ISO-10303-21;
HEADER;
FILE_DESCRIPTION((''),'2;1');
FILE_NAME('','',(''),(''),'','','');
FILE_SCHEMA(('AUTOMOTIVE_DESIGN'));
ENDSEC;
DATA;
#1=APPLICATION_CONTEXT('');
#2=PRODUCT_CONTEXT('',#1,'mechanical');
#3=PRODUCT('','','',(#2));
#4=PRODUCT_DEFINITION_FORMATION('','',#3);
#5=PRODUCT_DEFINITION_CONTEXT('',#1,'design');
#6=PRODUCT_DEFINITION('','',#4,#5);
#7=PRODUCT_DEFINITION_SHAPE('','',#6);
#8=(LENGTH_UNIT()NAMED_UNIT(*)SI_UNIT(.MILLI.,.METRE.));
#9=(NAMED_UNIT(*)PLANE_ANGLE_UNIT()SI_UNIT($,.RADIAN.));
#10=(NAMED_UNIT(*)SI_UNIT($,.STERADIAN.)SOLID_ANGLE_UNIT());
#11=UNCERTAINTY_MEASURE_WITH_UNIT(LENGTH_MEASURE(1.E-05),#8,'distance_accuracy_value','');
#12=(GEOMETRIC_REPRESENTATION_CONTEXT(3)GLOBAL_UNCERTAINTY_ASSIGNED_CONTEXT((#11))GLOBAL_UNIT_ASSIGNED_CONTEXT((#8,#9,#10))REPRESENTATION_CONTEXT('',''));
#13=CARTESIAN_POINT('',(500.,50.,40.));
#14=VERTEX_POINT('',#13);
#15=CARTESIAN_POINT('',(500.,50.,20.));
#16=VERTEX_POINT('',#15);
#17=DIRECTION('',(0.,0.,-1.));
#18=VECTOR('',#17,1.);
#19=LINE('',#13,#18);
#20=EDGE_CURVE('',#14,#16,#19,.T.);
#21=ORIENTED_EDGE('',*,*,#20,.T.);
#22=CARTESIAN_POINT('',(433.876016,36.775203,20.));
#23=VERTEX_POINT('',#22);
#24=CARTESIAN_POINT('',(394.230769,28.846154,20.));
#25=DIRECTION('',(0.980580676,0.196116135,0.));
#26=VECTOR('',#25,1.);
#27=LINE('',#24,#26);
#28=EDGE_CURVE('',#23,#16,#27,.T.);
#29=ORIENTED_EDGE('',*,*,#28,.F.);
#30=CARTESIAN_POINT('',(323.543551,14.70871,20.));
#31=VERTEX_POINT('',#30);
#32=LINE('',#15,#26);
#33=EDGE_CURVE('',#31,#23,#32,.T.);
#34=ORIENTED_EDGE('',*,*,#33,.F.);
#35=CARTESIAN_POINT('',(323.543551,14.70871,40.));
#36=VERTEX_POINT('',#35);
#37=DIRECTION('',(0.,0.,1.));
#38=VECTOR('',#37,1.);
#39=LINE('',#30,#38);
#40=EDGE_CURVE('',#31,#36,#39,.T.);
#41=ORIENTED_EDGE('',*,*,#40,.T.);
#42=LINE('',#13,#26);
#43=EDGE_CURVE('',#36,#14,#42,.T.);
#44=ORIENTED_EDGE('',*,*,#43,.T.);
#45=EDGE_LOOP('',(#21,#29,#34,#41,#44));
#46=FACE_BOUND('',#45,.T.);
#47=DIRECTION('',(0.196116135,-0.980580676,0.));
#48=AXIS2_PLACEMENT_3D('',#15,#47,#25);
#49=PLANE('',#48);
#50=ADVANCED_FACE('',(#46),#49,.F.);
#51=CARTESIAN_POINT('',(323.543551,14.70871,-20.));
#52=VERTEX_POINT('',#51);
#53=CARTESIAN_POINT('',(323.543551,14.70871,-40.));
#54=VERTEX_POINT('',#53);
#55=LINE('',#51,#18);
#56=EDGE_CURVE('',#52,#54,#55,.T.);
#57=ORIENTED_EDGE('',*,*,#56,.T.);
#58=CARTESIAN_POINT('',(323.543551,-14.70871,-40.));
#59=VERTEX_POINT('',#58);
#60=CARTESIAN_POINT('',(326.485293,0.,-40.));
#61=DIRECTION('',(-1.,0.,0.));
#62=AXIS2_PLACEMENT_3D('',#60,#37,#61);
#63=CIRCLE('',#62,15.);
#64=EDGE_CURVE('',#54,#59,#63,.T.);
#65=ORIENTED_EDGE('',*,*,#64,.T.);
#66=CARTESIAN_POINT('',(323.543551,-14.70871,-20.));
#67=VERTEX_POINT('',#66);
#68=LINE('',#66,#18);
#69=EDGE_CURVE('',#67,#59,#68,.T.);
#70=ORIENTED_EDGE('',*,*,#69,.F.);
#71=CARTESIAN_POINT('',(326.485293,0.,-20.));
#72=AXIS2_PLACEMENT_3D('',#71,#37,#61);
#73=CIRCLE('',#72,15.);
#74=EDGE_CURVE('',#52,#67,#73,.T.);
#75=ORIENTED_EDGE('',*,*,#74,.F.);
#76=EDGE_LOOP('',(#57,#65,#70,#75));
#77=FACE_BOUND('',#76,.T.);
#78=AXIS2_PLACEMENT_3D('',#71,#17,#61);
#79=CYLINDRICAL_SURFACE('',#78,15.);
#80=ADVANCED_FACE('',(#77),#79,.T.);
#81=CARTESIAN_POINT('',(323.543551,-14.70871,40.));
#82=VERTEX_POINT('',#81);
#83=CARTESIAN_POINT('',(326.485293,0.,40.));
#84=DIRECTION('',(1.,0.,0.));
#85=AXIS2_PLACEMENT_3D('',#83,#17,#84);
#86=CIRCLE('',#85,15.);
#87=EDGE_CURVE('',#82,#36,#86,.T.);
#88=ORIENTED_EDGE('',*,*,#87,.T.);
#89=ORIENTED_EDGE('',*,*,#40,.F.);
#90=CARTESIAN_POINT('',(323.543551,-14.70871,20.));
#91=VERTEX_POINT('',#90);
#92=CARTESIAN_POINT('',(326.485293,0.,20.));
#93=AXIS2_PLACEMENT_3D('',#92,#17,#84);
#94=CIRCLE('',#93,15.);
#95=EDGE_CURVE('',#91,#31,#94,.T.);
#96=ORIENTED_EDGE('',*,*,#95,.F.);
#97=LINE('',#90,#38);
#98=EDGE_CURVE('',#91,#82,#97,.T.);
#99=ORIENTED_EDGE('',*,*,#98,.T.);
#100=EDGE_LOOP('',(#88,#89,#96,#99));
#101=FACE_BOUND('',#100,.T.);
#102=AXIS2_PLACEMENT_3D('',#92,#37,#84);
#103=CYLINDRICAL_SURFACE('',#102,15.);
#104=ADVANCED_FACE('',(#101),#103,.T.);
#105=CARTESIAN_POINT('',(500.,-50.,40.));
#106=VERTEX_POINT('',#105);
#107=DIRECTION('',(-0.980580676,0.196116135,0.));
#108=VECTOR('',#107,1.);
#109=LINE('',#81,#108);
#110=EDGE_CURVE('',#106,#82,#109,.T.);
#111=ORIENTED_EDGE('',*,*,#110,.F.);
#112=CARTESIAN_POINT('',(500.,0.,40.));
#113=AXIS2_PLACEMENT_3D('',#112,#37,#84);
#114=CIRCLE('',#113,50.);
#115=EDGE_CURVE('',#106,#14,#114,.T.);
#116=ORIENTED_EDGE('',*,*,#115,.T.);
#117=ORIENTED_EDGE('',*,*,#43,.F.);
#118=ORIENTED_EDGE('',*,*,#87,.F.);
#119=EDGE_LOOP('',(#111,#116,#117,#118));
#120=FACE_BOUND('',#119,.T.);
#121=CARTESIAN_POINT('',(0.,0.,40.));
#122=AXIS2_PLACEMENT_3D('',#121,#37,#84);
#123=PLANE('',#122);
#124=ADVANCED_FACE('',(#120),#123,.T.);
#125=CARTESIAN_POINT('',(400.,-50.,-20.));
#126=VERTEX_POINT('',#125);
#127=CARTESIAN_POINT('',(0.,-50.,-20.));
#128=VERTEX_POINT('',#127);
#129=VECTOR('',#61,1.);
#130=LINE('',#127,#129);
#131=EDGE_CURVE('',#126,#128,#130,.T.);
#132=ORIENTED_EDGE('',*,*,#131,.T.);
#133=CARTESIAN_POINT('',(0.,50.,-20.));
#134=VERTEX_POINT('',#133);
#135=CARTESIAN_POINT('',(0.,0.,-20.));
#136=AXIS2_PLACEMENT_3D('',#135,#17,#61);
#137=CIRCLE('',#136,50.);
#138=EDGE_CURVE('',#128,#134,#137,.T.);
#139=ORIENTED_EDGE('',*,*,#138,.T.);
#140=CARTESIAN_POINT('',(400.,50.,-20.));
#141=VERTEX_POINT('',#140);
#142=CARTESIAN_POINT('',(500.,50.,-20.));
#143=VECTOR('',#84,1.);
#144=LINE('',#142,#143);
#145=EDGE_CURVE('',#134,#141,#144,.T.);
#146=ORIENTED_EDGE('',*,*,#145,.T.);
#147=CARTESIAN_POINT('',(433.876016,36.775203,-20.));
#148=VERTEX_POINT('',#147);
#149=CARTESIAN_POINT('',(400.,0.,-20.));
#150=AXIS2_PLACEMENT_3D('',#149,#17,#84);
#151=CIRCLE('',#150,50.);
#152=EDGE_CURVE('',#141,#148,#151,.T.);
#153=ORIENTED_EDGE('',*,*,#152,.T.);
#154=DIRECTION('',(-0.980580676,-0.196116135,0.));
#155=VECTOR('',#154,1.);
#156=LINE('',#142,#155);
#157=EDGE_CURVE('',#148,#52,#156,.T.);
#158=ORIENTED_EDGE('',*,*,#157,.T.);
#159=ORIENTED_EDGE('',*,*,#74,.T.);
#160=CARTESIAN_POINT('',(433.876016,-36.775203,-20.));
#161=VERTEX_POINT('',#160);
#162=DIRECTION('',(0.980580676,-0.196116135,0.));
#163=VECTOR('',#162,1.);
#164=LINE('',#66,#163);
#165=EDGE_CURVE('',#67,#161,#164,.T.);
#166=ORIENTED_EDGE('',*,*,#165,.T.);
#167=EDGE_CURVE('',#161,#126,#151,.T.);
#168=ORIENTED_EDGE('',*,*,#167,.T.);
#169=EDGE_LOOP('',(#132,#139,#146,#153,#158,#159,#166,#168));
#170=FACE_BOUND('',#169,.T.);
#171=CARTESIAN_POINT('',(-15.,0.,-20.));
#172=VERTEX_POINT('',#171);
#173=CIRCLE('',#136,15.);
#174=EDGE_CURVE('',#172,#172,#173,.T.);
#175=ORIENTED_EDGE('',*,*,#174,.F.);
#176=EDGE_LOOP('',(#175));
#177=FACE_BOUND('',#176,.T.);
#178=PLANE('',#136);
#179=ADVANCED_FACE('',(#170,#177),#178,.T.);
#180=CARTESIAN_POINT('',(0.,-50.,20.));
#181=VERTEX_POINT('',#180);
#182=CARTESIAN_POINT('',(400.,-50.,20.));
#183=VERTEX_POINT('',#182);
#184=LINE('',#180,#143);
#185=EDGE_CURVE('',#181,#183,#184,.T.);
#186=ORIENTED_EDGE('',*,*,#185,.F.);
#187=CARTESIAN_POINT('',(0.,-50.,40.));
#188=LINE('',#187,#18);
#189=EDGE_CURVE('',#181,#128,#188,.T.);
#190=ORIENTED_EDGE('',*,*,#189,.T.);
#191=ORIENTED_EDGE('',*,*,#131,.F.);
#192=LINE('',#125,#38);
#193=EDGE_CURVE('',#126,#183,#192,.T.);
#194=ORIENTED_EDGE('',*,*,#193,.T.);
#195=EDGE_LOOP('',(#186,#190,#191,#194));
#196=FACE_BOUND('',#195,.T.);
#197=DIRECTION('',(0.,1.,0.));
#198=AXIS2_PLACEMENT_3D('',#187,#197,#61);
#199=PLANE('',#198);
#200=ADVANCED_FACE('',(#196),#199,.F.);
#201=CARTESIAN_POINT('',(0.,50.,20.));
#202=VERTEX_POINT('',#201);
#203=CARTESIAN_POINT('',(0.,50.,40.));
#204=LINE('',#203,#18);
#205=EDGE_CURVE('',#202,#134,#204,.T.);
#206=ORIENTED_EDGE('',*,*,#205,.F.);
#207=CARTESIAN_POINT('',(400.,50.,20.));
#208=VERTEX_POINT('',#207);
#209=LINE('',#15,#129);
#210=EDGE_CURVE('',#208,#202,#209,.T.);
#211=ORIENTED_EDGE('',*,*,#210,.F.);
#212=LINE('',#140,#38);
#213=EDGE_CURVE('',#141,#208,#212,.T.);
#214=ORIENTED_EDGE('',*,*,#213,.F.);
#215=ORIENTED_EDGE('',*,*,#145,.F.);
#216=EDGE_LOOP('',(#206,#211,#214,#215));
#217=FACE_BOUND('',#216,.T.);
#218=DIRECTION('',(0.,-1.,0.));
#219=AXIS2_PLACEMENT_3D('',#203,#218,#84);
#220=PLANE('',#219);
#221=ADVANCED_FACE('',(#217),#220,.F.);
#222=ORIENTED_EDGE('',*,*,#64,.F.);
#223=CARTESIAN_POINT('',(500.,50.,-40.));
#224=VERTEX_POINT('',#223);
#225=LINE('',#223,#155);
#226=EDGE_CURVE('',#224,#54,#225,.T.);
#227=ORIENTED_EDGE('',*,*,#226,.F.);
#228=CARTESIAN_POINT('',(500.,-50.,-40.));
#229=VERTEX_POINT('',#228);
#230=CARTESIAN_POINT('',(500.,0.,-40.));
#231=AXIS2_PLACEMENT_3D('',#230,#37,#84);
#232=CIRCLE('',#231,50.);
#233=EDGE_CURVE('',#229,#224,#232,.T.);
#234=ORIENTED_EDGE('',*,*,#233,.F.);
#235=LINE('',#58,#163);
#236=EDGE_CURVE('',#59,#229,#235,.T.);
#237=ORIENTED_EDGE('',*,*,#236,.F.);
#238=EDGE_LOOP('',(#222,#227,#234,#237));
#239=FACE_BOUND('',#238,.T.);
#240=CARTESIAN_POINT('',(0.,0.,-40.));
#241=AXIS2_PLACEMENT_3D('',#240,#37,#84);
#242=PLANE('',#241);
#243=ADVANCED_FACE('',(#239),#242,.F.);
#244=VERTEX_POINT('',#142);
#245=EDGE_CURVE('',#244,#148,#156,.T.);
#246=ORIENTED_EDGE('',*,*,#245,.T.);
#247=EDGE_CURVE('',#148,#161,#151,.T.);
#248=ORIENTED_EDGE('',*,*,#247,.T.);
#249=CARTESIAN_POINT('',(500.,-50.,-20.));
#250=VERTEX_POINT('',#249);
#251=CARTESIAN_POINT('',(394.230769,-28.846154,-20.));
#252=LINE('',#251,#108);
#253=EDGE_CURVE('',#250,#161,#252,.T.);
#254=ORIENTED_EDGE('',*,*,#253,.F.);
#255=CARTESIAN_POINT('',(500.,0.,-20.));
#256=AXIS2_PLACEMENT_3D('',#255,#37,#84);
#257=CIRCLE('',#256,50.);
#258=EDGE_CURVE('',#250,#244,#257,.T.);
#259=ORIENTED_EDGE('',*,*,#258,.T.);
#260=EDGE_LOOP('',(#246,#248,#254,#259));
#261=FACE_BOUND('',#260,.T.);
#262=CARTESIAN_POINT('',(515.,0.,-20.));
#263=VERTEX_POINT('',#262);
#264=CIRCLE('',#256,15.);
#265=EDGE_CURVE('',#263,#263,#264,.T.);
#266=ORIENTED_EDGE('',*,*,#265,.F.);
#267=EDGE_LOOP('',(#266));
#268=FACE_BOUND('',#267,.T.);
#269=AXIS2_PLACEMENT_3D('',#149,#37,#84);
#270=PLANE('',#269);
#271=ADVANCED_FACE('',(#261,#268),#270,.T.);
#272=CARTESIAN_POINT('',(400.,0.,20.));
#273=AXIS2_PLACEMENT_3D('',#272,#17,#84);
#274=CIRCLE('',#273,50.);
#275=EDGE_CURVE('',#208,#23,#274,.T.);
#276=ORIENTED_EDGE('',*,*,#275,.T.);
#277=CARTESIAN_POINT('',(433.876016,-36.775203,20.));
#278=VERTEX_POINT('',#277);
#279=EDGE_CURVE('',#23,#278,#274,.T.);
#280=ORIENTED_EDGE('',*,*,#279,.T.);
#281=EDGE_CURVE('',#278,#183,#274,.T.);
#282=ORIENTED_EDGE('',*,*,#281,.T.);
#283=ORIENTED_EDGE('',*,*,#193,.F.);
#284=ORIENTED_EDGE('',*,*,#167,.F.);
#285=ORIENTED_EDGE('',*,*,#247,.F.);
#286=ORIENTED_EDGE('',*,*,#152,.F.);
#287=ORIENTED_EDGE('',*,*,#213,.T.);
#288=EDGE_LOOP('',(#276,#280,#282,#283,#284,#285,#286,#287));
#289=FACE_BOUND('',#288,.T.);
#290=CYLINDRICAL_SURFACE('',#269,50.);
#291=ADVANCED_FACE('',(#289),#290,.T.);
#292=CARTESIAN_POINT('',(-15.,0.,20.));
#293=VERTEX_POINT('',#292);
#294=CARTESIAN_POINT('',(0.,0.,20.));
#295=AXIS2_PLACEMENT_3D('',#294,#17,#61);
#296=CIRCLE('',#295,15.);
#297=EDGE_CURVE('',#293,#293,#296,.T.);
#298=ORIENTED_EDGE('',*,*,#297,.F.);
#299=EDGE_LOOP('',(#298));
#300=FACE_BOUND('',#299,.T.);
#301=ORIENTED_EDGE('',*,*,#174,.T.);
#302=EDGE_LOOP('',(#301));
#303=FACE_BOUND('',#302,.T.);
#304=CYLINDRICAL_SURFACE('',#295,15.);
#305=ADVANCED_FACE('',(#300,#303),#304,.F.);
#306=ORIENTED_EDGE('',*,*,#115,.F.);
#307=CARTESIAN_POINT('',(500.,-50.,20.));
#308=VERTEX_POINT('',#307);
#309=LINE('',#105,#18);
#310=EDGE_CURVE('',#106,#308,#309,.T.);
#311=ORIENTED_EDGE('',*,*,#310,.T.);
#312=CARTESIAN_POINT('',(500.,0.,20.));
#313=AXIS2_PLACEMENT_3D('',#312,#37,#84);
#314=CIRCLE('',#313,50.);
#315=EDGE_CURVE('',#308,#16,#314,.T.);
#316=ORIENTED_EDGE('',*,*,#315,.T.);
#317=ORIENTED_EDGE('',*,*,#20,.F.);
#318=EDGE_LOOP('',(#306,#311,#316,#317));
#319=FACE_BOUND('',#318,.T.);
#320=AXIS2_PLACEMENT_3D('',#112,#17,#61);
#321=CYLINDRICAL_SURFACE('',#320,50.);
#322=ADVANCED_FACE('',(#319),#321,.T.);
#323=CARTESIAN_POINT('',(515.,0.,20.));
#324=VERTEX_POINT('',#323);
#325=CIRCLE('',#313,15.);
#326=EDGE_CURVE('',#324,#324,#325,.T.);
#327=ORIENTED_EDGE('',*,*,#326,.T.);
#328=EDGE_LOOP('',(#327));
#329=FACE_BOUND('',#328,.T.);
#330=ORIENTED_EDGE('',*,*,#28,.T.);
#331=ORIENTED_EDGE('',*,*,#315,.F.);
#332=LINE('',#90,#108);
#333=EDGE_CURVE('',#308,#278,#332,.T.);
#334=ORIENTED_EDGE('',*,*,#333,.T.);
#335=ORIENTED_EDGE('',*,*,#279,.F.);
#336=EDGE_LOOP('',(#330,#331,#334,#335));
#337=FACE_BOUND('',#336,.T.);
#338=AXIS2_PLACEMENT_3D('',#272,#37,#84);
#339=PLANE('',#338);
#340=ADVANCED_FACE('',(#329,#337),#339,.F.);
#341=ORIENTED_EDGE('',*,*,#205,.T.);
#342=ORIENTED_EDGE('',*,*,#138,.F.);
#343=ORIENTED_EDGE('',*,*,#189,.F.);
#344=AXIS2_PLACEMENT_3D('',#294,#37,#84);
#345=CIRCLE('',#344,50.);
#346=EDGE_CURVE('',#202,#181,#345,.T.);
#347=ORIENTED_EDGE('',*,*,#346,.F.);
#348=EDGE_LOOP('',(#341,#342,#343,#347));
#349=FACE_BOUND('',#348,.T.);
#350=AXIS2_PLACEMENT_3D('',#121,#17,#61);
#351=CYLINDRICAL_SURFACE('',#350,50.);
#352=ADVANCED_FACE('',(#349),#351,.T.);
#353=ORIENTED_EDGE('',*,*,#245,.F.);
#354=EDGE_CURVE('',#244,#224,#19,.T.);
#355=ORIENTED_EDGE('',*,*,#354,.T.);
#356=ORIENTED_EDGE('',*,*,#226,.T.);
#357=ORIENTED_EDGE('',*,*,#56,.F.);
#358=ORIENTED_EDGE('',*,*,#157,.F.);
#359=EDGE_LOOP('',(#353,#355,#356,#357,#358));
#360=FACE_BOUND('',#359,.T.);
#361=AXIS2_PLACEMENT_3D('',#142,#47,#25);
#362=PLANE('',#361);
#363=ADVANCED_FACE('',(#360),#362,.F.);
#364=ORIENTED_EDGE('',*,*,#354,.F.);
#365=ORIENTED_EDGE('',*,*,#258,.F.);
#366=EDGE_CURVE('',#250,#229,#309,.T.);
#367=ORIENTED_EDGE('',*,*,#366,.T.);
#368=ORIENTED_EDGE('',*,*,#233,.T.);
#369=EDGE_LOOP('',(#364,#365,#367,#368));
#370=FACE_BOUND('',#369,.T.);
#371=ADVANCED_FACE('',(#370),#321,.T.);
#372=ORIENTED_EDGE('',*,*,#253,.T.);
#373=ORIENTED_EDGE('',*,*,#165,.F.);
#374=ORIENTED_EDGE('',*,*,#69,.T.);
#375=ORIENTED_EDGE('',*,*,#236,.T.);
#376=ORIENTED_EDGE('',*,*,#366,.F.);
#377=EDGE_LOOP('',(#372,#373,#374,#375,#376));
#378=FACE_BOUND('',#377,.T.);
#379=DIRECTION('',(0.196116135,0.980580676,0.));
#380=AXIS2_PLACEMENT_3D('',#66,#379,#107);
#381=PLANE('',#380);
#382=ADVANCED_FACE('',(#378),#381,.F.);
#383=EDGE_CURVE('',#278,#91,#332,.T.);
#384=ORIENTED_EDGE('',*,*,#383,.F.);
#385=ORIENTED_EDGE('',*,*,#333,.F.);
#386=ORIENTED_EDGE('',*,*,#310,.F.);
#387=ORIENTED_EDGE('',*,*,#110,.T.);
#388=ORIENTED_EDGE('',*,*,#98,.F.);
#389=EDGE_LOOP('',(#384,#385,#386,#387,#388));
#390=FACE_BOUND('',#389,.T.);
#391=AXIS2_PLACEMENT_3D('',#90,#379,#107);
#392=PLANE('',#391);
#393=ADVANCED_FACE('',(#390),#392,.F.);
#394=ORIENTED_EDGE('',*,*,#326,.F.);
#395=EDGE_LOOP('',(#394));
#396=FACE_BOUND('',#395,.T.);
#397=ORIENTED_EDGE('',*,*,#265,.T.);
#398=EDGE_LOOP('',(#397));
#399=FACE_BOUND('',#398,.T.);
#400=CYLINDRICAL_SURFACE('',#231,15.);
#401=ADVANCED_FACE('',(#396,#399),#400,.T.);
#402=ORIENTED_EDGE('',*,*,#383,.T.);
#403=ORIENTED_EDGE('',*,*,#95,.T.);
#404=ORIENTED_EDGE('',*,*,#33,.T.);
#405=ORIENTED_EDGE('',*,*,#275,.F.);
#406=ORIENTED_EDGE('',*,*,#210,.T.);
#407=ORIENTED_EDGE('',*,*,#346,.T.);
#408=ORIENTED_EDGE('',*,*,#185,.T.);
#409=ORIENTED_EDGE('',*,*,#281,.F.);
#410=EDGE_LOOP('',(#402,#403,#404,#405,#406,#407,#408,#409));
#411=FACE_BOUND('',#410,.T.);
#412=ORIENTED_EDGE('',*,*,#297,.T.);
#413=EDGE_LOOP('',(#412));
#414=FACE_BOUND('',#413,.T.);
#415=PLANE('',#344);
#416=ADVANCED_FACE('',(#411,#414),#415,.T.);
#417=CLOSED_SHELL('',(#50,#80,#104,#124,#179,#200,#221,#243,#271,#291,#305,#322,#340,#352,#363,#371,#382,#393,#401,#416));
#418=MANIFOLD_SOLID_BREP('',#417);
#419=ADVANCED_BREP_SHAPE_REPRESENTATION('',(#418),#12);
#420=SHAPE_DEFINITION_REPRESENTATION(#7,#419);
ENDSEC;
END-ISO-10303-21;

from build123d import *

# Parameters (mm, degrees)
BOSS_EXTRUDE2_DEPTH = 40
CUT_EXTRUDE6_DEPTH  = 20
SKETCH11_R          = 15
BOSS_EXTRUDE3_DEPTH = 80
CUT_EXTRUDE7_DEPTH  = 20
CUT_EXTRUDE9_START  = -20
CUT_EXTRUDE9_DEPTH  = 20
SKETCH15_R          = 15
CUT_EXTRUDE10_DEPTH = 40


with BuildPart() as part:
    # Sketch4 → Boss-Extrude2 (new, symmetric)
    with BuildSketch(Plane.XY):
        with BuildLine():
            Line((-250, 50), (250, 50))
            ThreePointArc((250, 50), (300, 0), (250, -50))
            Line((250, -50), (-250, -50))
            ThreePointArc((-250, -50), (-300, 0), (-250, 50))
        make_face()
    extrude(amount=BOSS_EXTRUDE2_DEPTH, both=True)

    # Sketch10 → Cut-Extrude6 (cut, symmetric)
    with BuildSketch(Plane.XY):
        with BuildLine():
            Line((150, 50), (250, 50))
            ThreePointArc((250, 50), (300, 0), (250, -50))
            Line((250, -50), (150, -50))
            ThreePointArc((150, -50), (200, 0), (150, 50))
        make_face()
    extrude(amount=CUT_EXTRUDE6_DEPTH, both=True, mode=Mode.SUBTRACT)

    # Sketch11 → Boss-Extrude3 (add)
    with BuildSketch(Plane.XY.offset(40)):
        with Locations((250, 0)):
            Circle(SKETCH11_R)
    extrude(amount=-BOSS_EXTRUDE3_DEPTH)

    # Sketch12 → Cut-Extrude7 (cut)
    with BuildSketch(Plane.XY.offset(40)):
        with BuildLine():
            Line((250, 50), (73.543550677, 14.708710135))
            ThreePointArc((73.543550677, 14.708710135), (61.485292704, 0), (73.543550677, -14.708710135))
            Line((73.543550677, -14.708710135), (250, -50))
            Line((250, -50), (-250, -50))
            ThreePointArc((-250, -50), (-300, 0), (-250, 50))
            Line((-250, 50), (250, 50))
        make_face()
    extrude(amount=-CUT_EXTRUDE7_DEPTH, mode=Mode.SUBTRACT)

    # Sketch14 → Cut-Extrude9 (cut)
    with BuildSketch(Plane(origin=(0, 0, -40), x_dir=(-1, 0, 0), z_dir=(0, 0, -1)).offset(CUT_EXTRUDE9_START)):
        with BuildLine():
            Line((-73.543550677, -14.708710135), (-250, -50))
            Line((-250, -50), (250, -50))
            ThreePointArc((250, -50), (300, 0), (250, 50))
            Line((250, 50), (-250, 50))
            Line((-250, 50), (-73.543550677, 14.708710135))
            ThreePointArc((-73.543550677, 14.708710135), (-61.485292704, 0), (-73.543550677, -14.708710135))
        make_face()
    extrude(amount=CUT_EXTRUDE9_DEPTH, mode=Mode.SUBTRACT)

    # Sketch15 → Cut-Extrude10 (cut)
    with BuildSketch(Plane(origin=(0, 0, -20), x_dir=(-1, 0, 0), z_dir=(0, 0, -1))):
        with Locations((250, 0)):
            Circle(SKETCH15_R)
    extrude(amount=-CUT_EXTRUDE10_DEPTH, mode=Mode.SUBTRACT)


with BuildPart() as part_1:
    # Body-Move/Copy1: moved
    add(part.part.moved(Location((250, 0, 0))))


solid = part_1.part
